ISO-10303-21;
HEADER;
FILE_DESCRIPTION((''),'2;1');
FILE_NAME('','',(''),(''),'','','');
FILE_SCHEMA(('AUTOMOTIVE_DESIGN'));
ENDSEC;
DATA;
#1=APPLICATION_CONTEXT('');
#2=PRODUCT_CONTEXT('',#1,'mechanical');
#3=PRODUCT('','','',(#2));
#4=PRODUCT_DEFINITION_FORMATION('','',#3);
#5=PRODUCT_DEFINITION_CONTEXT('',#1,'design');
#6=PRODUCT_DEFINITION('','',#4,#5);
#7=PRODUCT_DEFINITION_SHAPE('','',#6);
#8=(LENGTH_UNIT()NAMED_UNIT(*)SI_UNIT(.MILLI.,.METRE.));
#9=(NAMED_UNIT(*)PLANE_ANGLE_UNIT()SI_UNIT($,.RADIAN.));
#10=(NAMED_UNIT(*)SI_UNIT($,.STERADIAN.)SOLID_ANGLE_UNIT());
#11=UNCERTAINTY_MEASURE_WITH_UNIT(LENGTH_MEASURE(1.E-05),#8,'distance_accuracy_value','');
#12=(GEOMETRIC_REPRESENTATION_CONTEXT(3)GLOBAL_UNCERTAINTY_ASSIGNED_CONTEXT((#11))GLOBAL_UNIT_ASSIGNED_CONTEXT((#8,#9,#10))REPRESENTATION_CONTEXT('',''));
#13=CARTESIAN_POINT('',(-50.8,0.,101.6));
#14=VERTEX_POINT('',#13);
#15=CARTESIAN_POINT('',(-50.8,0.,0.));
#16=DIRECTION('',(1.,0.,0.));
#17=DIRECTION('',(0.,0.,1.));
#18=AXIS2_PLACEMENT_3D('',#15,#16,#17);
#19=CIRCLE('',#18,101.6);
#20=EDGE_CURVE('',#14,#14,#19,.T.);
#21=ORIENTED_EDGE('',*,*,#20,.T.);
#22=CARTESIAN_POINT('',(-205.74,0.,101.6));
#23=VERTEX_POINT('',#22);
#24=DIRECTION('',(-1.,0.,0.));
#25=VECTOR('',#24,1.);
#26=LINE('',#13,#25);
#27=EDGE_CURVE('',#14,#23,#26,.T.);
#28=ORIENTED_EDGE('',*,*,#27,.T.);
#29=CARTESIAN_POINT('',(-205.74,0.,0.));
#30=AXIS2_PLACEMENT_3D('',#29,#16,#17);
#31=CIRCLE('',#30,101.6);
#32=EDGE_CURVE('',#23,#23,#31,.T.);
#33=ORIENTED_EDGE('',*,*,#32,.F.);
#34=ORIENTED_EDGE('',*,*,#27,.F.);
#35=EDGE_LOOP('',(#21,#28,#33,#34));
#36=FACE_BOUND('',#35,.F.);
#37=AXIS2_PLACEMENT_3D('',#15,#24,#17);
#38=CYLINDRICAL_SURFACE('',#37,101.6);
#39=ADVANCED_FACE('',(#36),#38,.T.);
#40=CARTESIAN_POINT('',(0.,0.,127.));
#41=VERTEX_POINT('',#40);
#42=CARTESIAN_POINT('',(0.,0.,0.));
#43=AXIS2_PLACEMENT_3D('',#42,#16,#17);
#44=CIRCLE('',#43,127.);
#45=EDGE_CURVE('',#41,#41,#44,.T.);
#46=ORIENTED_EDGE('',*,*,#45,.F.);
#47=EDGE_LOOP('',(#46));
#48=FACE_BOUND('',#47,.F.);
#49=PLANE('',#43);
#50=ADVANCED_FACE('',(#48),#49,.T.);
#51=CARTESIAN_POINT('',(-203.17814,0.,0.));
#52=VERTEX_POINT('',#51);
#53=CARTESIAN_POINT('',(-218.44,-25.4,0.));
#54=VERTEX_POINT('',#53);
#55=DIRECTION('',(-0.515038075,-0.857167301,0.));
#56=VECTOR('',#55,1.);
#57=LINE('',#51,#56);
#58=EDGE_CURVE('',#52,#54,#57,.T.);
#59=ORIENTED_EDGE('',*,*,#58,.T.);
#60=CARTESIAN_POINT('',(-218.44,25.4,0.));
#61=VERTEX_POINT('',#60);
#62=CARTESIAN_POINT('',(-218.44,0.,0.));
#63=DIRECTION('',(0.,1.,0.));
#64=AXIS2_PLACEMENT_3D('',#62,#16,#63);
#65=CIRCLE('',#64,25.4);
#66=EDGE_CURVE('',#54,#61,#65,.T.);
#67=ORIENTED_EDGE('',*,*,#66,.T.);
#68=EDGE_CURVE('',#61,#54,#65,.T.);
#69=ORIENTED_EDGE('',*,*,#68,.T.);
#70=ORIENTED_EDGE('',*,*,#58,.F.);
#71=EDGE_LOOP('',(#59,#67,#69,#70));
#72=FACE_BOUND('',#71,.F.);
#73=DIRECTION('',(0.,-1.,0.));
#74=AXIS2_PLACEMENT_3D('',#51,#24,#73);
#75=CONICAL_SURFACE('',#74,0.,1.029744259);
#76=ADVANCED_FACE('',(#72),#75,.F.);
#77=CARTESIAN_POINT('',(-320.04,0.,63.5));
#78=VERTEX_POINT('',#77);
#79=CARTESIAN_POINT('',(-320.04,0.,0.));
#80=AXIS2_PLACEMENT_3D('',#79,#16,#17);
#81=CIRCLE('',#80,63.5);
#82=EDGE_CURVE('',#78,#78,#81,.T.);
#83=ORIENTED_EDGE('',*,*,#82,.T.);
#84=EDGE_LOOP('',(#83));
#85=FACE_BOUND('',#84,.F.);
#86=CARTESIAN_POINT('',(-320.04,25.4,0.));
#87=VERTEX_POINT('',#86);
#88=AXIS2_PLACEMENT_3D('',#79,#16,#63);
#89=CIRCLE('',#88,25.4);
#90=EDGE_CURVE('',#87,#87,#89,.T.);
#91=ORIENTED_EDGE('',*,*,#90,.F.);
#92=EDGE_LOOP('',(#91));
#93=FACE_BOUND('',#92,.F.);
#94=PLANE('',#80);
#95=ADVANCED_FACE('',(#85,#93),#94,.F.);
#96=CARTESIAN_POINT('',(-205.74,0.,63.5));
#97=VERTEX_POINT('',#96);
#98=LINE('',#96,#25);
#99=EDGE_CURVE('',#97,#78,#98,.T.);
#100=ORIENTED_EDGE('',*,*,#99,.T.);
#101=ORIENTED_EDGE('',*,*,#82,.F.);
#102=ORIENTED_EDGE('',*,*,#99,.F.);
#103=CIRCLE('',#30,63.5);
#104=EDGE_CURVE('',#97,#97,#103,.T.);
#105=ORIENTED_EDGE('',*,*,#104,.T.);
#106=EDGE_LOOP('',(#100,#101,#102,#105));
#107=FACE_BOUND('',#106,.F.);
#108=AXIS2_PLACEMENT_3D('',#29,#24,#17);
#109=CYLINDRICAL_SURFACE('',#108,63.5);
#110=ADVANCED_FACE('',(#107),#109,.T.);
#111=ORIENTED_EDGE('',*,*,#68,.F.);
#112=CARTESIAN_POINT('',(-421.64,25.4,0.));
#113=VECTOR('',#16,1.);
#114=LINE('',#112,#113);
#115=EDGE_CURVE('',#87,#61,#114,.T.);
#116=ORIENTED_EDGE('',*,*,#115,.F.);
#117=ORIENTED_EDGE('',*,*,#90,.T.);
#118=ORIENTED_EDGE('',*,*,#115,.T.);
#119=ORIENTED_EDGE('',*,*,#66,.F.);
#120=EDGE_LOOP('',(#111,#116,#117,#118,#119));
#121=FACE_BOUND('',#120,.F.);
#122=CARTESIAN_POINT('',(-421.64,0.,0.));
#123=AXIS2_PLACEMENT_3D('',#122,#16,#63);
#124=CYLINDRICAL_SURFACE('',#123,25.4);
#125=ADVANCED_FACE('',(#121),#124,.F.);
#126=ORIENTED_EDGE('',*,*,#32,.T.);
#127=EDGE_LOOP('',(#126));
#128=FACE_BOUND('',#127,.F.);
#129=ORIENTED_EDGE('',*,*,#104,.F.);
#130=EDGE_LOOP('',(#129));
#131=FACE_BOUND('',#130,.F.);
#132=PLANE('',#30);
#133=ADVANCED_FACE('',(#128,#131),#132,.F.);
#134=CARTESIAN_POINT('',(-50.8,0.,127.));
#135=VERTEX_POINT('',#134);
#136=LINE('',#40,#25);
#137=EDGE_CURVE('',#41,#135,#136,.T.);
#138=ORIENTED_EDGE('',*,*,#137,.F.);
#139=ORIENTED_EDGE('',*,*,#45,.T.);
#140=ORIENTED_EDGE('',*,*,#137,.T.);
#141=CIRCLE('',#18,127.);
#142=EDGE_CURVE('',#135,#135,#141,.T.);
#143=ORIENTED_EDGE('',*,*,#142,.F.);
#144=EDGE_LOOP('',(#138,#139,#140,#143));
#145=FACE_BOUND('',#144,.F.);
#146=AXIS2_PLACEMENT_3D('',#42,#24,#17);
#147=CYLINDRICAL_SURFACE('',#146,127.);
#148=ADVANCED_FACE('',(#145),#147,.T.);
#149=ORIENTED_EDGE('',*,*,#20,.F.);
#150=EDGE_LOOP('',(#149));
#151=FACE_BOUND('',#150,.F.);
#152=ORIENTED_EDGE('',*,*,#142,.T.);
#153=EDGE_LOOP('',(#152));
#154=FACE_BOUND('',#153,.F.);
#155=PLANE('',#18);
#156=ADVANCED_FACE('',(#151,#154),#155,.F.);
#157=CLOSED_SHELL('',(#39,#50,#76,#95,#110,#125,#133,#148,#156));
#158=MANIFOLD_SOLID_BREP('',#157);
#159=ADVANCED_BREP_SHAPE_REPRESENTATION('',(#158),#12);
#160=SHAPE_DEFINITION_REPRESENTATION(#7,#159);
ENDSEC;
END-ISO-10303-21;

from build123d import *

# Parameters (mm, degrees)
F3_D     = 50.8
F3_DEPTH = 101.6
F3_TIP   = 15.2618597233


with BuildPart() as f1:
    # F0 (on Front) → F1 (revolve)
    with BuildSketch(Plane.XZ):
        Polygon((-50.8, 0), (0, 0), (0, 127), (-50.8, 127), (-50.8, 101.6), align=None)
        Polygon((-205.74, 0), (-50.8, 0), (-50.8, 101.6), (-205.74, 101.6), (-205.74, 63.5), align=None)
        Polygon((-320.04, 0), (-205.74, 0), (-205.74, 63.5), (-320.04, 63.5), (-320.04, 22.4364697933), align=None)
    revolve(axis=Axis((-160.02, 0, 0), (1, 0, 0)))

    # F3
    with Locations(Plane(origin=(-320.04, 0, 0), x_dir=(0, -1, 0), z_dir=(-1, 0, 0))):
        with Locations((0, 0)):
            Hole(F3_D / 2, depth=F3_DEPTH)
            with Locations((0, 0, -(F3_DEPTH + F3_TIP / 2))):  # 118° drill point
                Cone(0, F3_D / 2, F3_TIP, mode=Mode.SUBTRACT)


solid = f1.part
